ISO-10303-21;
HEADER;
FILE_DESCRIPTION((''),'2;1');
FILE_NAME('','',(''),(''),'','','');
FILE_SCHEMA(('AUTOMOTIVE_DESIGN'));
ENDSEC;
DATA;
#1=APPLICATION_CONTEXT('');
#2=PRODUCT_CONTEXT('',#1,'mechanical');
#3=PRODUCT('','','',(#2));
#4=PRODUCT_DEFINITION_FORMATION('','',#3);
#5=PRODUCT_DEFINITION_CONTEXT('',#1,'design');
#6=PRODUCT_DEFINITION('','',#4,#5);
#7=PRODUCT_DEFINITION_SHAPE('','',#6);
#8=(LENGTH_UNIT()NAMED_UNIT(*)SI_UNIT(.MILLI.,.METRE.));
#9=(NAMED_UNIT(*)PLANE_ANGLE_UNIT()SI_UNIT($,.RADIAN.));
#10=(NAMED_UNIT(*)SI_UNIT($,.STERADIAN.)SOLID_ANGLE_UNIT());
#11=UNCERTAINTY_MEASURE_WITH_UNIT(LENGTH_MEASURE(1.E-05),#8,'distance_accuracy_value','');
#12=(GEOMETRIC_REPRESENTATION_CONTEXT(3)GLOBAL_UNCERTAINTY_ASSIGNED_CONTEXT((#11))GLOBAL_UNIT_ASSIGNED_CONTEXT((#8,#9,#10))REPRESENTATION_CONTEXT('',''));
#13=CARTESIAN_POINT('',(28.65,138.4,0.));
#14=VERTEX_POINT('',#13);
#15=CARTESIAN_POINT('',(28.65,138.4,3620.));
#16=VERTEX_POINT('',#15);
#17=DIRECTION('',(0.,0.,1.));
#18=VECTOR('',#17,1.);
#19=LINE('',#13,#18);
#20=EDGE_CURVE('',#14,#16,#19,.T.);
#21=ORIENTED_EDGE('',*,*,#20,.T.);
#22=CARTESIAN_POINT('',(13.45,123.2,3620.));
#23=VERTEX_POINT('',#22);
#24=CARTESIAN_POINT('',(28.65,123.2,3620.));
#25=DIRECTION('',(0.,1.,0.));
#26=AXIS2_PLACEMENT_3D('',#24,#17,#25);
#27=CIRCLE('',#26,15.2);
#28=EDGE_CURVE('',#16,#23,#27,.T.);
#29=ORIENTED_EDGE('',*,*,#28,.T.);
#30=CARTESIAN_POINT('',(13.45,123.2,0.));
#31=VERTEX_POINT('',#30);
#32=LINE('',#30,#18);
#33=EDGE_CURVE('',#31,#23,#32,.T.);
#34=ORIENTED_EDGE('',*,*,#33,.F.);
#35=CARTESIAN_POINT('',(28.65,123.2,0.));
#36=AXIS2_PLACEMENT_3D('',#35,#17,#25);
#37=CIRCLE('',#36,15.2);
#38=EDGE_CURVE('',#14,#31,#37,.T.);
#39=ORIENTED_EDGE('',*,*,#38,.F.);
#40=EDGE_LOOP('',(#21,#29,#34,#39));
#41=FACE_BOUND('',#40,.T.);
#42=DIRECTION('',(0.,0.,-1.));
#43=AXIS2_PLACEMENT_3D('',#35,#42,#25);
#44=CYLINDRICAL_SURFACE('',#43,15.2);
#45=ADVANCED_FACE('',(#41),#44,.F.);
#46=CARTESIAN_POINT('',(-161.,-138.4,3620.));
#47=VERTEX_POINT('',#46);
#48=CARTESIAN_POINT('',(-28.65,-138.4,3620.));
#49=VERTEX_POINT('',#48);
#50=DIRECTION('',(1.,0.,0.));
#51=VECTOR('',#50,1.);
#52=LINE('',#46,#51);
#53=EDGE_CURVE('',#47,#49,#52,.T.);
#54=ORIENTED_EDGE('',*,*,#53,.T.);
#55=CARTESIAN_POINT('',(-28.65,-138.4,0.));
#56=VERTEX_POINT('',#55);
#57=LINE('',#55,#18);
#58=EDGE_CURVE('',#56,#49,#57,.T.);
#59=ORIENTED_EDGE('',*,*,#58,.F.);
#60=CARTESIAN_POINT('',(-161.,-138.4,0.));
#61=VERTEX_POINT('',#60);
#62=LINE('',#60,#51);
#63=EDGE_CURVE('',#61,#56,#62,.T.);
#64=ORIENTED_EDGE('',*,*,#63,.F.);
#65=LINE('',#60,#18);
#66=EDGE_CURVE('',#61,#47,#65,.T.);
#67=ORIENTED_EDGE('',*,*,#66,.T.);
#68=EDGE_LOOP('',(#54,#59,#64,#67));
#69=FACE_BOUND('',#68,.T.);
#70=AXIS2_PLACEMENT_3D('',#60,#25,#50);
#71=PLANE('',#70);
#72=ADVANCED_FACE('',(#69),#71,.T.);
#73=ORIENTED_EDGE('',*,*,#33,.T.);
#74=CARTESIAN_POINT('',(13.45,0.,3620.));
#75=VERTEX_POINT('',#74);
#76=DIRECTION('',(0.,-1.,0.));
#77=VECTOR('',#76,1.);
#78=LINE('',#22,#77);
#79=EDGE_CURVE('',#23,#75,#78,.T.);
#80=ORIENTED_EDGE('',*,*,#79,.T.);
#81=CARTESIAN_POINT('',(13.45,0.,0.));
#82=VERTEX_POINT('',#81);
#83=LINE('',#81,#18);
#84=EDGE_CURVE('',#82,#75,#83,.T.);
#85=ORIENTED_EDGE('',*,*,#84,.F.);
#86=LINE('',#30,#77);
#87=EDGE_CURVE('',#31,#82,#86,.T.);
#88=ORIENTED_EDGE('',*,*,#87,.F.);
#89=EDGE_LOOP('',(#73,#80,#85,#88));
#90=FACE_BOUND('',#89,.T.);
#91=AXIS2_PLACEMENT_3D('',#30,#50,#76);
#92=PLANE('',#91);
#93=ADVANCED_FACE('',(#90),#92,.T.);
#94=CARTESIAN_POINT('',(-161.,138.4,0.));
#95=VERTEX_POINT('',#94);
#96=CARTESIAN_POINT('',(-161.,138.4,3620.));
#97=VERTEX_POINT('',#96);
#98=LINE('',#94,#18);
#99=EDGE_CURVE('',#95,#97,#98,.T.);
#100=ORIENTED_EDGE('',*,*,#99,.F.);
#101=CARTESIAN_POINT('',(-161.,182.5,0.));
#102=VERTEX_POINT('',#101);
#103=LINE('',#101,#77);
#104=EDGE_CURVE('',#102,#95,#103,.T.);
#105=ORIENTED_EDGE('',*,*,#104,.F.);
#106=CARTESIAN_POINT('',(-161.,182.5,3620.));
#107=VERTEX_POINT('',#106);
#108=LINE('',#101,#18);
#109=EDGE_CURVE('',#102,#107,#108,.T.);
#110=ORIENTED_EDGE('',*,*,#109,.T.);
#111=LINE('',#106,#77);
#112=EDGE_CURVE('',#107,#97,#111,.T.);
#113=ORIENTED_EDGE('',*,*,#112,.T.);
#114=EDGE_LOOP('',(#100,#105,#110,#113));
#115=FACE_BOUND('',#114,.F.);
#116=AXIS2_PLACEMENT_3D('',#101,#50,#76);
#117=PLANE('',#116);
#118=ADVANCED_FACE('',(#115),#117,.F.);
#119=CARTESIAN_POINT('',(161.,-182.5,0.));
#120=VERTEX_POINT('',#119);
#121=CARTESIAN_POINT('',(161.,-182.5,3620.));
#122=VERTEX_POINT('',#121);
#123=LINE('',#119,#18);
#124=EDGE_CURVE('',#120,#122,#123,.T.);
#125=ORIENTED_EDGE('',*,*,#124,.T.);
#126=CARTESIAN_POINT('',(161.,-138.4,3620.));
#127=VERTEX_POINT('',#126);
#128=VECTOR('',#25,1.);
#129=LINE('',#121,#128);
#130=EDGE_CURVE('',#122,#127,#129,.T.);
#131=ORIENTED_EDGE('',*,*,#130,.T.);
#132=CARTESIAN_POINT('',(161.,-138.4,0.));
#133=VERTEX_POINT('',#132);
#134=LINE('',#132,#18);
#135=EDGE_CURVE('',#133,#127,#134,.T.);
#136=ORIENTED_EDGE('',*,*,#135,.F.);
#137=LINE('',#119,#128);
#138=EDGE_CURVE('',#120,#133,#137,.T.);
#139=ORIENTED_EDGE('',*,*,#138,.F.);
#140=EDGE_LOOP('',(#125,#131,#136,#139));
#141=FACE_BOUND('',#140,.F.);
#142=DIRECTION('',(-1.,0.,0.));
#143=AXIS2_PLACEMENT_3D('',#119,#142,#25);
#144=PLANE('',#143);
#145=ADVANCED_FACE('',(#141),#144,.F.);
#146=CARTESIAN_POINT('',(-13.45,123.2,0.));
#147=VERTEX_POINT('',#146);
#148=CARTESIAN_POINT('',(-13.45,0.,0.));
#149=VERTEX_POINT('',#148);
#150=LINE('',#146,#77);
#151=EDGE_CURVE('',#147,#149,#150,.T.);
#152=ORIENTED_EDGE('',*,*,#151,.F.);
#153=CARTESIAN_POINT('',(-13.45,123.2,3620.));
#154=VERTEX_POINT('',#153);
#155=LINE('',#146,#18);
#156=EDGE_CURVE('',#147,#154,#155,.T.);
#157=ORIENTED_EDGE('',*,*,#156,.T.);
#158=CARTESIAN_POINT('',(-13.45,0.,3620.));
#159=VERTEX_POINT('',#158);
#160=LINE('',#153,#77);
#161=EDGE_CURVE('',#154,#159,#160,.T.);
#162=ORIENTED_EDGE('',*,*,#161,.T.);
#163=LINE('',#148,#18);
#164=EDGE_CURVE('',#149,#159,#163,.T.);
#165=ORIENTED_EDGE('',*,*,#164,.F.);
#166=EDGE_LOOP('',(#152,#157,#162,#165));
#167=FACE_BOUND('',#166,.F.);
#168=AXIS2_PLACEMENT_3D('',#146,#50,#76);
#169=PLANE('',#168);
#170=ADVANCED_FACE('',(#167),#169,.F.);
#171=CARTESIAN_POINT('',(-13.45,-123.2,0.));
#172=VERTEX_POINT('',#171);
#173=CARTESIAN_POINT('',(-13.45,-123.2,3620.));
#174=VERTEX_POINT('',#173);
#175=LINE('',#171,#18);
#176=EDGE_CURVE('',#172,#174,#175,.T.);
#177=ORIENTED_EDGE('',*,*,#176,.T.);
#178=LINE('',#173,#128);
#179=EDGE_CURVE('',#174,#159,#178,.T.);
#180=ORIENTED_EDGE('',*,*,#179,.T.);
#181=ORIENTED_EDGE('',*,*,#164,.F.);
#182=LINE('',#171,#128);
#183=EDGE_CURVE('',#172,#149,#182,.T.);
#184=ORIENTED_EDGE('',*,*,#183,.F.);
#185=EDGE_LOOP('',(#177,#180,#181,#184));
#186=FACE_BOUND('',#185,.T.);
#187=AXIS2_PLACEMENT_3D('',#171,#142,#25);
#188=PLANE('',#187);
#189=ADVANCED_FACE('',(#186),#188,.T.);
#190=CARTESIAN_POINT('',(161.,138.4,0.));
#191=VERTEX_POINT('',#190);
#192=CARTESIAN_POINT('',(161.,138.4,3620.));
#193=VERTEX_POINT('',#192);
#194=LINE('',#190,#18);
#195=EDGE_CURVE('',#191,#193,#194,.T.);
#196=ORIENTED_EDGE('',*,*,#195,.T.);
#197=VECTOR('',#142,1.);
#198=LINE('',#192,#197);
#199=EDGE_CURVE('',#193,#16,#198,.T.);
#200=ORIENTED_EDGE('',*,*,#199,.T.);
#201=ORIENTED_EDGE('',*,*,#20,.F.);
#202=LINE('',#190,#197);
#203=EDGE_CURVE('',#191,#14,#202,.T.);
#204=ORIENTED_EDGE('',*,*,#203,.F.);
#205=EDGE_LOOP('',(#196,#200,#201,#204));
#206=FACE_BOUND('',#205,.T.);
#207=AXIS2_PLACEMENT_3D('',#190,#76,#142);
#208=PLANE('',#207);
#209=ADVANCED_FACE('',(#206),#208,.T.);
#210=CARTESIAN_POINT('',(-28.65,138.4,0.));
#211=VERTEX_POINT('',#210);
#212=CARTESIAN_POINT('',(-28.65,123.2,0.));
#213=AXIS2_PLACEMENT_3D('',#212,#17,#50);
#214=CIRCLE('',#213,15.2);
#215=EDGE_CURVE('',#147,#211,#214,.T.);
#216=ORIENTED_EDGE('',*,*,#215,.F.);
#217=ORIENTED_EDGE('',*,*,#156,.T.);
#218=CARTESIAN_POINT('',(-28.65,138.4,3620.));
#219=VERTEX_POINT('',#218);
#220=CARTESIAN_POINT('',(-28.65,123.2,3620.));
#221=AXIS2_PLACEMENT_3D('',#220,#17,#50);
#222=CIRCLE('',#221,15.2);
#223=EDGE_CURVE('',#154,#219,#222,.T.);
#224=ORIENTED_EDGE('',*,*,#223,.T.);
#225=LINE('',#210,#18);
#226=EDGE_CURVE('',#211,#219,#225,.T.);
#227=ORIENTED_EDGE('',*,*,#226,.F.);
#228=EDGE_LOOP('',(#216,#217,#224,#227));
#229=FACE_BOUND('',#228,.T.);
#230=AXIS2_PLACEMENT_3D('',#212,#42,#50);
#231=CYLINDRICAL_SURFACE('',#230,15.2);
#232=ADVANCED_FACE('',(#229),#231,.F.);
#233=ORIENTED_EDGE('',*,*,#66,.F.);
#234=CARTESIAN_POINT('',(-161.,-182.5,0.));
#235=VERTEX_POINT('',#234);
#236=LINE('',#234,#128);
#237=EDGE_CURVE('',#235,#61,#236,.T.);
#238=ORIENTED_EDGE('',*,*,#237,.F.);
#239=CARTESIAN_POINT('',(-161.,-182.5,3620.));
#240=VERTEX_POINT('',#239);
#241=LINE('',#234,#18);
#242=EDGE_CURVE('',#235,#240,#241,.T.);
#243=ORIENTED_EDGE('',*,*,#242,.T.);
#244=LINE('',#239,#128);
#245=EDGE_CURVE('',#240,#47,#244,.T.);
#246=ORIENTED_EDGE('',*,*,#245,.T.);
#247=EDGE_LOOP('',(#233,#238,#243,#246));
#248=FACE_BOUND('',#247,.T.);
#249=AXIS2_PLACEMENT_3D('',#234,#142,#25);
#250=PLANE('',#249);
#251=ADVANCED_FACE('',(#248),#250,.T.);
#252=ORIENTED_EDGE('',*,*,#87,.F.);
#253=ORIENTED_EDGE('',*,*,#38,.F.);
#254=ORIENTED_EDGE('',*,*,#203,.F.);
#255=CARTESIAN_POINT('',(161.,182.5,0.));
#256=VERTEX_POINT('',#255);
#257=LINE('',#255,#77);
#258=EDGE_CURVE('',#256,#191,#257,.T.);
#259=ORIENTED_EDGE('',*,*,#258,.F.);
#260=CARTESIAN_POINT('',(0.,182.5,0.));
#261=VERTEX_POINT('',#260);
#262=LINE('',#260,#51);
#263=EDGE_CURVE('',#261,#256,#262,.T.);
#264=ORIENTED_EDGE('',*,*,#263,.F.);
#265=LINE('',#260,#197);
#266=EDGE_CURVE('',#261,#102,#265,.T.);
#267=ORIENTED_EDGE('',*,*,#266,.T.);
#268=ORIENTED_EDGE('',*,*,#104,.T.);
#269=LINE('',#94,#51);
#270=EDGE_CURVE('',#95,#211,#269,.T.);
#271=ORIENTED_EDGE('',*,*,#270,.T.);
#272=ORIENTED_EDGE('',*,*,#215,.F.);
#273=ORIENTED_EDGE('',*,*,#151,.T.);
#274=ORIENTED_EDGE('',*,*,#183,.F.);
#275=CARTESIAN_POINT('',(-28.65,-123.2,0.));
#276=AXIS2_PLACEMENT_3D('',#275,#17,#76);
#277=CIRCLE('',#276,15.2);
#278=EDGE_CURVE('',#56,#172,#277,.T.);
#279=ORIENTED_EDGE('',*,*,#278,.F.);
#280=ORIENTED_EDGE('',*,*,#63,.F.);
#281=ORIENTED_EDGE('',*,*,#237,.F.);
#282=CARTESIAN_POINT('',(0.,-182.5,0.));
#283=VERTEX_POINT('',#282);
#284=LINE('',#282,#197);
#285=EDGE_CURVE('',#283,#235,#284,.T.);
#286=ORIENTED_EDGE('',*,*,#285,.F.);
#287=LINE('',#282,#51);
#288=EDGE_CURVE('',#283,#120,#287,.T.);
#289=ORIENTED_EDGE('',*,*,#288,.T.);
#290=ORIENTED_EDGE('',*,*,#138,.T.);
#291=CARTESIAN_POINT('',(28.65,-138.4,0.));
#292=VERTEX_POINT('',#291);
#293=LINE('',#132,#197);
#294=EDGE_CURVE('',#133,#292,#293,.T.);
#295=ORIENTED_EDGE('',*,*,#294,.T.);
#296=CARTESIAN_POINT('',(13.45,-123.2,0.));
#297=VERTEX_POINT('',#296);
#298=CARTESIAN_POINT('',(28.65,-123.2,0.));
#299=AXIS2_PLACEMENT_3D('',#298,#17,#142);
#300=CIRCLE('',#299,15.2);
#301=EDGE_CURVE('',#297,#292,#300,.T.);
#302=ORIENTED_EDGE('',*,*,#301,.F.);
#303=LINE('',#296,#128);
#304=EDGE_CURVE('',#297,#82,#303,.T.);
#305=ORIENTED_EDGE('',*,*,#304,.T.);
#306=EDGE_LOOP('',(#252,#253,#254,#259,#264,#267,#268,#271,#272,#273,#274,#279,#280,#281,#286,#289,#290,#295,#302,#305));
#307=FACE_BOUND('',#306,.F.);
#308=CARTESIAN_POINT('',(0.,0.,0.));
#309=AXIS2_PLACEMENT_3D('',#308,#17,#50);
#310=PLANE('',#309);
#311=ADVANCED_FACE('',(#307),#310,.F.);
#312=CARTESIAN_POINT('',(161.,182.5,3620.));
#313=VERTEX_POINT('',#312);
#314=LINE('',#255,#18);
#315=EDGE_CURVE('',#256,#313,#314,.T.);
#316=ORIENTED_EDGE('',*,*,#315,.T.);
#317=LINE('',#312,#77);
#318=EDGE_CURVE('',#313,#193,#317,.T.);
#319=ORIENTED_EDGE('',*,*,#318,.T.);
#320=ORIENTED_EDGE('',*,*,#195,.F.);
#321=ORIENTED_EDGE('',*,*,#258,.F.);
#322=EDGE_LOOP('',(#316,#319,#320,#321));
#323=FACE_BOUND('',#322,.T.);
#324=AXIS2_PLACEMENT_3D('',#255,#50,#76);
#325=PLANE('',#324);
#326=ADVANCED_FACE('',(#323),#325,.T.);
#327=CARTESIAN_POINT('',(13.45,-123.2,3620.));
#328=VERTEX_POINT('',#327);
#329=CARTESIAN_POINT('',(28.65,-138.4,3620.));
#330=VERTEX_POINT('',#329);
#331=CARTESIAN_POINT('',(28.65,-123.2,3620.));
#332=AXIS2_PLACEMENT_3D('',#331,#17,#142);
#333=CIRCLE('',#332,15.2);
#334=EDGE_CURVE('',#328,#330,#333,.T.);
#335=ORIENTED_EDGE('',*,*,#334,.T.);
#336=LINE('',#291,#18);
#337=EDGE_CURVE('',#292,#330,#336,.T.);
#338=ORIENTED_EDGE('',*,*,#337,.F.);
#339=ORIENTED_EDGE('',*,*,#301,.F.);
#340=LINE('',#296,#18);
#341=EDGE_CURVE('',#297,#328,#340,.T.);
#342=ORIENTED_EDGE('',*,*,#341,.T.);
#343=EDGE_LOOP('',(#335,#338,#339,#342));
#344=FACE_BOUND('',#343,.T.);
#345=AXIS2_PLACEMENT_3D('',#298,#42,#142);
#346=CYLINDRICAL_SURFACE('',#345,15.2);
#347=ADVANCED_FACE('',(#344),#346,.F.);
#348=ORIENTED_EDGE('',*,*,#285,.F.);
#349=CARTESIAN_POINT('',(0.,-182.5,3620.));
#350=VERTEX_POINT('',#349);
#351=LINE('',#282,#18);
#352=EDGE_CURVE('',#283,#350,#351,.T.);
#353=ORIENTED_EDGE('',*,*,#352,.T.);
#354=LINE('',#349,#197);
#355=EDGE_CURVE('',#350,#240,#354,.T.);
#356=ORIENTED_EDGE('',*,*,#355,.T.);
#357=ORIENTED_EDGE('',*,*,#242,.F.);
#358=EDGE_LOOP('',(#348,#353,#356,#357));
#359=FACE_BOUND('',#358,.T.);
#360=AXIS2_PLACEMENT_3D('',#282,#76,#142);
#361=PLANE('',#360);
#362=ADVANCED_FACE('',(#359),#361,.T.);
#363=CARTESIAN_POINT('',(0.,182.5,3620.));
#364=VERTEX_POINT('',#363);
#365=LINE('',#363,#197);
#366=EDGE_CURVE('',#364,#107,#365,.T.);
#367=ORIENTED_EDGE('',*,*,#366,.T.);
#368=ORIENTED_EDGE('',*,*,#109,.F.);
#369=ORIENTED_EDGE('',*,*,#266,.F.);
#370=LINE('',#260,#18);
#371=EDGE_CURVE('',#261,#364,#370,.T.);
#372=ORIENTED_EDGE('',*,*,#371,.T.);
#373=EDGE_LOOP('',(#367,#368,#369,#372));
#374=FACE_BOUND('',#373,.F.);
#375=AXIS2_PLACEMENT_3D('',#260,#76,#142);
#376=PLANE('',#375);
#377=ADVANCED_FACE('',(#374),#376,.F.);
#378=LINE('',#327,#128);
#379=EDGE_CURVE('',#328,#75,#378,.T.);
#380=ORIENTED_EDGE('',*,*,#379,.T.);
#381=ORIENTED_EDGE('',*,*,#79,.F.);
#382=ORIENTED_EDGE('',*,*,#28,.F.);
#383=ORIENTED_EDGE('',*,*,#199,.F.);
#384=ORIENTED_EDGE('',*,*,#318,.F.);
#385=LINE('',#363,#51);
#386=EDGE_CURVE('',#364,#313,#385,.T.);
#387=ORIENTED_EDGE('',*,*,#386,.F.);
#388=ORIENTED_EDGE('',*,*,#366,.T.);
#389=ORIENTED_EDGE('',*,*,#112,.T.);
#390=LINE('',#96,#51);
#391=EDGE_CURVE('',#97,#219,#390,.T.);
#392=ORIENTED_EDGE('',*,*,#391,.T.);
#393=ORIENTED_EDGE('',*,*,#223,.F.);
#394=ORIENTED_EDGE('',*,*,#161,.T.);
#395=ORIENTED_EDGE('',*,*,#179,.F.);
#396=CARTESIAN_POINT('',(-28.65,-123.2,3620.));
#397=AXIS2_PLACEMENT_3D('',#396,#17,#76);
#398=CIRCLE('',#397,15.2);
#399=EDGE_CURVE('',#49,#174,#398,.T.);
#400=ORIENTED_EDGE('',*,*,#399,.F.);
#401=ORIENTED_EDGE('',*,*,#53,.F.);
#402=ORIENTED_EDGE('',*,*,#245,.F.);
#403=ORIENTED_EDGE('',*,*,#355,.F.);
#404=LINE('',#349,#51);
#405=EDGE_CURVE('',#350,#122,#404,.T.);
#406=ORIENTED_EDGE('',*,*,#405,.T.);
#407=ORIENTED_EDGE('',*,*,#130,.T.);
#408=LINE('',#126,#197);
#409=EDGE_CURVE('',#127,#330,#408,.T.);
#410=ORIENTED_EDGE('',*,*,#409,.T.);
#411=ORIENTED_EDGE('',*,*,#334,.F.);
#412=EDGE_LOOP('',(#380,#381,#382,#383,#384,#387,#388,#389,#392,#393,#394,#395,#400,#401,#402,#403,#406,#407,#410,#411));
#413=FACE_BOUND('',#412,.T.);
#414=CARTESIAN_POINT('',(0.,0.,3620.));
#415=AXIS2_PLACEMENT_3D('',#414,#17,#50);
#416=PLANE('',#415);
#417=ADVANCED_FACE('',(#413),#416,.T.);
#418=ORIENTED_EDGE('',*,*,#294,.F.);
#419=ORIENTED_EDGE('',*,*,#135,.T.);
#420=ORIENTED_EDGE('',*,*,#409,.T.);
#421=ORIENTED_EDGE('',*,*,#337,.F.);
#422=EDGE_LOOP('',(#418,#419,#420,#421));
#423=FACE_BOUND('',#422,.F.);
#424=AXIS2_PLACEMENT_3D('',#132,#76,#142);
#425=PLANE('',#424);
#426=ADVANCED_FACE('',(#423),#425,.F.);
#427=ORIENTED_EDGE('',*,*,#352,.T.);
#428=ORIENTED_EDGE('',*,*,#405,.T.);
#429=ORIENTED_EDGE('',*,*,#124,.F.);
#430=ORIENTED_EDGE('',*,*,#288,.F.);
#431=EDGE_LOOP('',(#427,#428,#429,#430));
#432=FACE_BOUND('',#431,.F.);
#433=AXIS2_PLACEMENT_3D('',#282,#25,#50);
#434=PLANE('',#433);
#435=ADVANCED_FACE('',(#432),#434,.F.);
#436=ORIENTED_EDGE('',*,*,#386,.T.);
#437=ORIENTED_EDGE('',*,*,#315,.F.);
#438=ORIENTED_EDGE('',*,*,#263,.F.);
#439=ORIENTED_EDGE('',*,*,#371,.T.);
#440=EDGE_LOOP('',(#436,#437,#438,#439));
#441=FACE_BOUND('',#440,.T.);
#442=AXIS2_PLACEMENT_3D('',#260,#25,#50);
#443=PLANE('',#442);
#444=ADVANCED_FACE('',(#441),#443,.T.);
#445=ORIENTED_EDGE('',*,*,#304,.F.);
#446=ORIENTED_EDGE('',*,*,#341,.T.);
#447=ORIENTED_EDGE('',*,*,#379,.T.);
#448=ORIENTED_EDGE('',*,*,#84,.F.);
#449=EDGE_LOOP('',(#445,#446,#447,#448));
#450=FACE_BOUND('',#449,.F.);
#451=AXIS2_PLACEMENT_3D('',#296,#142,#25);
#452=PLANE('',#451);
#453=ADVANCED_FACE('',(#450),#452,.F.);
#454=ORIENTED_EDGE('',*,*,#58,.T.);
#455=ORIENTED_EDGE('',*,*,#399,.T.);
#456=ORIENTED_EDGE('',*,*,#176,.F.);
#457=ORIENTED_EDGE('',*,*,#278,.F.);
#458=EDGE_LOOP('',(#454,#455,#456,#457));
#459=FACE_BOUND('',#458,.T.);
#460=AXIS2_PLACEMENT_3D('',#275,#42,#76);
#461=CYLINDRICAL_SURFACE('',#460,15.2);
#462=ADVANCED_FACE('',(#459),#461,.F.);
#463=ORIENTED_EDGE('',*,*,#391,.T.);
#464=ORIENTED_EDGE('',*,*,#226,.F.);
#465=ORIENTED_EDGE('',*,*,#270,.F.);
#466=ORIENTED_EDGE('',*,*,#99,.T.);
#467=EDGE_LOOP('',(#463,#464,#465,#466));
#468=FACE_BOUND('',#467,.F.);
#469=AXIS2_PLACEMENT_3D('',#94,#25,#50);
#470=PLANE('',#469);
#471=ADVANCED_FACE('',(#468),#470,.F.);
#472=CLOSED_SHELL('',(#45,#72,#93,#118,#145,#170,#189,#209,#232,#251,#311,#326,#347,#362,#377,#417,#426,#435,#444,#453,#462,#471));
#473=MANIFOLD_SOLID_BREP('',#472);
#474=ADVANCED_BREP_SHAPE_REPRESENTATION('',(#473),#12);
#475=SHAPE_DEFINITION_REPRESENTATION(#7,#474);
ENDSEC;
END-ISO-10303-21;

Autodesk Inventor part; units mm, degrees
ref_plane "YZ Plane" through (0, 0, 0) normal (1, 0, 0) x (0, 1, 0)
ref_plane "Start plane" through (0, 0, 0) normal (0, 0, 1) x (1, 0, 0)
ref_plane "End plane" through (0, 0, 3620) normal (0, 0, 1) x (1, 0, 0)
sketch "Sketch" plane through (0, 0, 0) normal (0, 0, 1) x (1, 0, 0)
  line L0 (-161, -182.5) -> (-161, -138.4)
  line L1 (-161, -138.4) -> (-28.65, -138.4)
  line L2 (-13.45, -123.2) -> (-13.45, 0)
  line L3 (-13.45, 0) -> (0, 0) construction
  line L4 (0, 0) -> (0, -182.5) construction
  line L5 (0, -182.5) -> (-161, -182.5)
  line L6 (-60, 0) -> (80, 0) construction
  line L7 (0, -60) -> (0, 80) construction
  line L8 (161, -182.5) -> (161, -138.4)
  line L9 (161, -138.4) -> (28.65, -138.4)
  line L10 (13.45, -123.2) -> (13.45, 0)
  line L11 (13.45, 0) -> (0, 0) construction
  line L12 (0, -182.5) -> (161, -182.5)
  line L13 (-161, 182.5) -> (-161, 138.4)
  line L14 (-161, 138.4) -> (-28.65, 138.4)
  line L15 (-13.45, 123.2) -> (-13.45, 0)
  line L16 (0, 182.5) -> (-161, 182.5)
  line L17 (161, 182.5) -> (161, 138.4)
  line L18 (161, 138.4) -> (28.65, 138.4)
  line L19 (0, 182.5) -> (161, 182.5)
  line L20 (13.45, 123.2) -> (13.45, 0)
  arc A0 (-13.45, 123.2) -> (-28.65, 138.4) centre (-28.65, 123.2) ccw
  arc A1 (28.65, 138.4) -> (13.45, 123.2) centre (28.65, 123.2) ccw
  arc A2 (13.45, -123.2) -> (28.65, -138.4) centre (28.65, -123.2) ccw
  arc A3 (-28.65, -138.4) -> (-13.45, -123.2) centre (-28.65, -123.2) ccw
  line L21 (0, 108) -> (0, -88) construction
  line L22 (-88, 0) -> (108, 0) construction
  point P0 (-13.45, -138.4)
  point P1 (13.45, -138.4)
  point P2 (-13.45, 138.4)
  point P3 (13.45, 138.4)
  dimension "d1" = 182.5
  dimension "d2" = 44.1
  dimension "d3" = 161
  dimension "d4" = 13.45
  dimension "d10" = 15.2
extrude "Body" add sketch "Sketch" along normal up to surface (3620 mm away) from surface at 0
sketch "Sketch4" plane through (0, 0, 0) normal (0, 0, 1) x (1, 0, 0)
  line L0 (0, 0) -> (10, 0)
ref_plane "Work Plane3" through (0, 0, 0) normal (0, -1, 0) x (1, 0, 0)
sketch "Sketch5" plane through (0, 0, 0) normal (0, -1, 0) x (1, 0, 0)
  line L0 (-2, 0) -> (12, 0) projected
  line L1 (-2, 3620) -> (12, 3620) projected
  dimension "d14" = 3620
equation "\"d1\" = 0.5 * G_H"
equation "\"d2\" = G_T1"
equation "\"d3\" = 0.5 * G_W"
equation "\"d4\" = 0.5 * G_T"
equation "\"d10\" = G_IR"
equation "\"d5\" = G_L"
equation "\"G_W\" = 322"
equation "\"G_H\" = 365"
equation "\"G_T\" = 26.9"
equation "\"G_T1\" = 44.1"
equation "\"G_IR\" = 15.2"
equation "\"G_L\" = d14"
equation "\"G_OFFSET_START\" = 0"
equation "\"G_OFFSET_END\" = 0"
properties part number "AS 3679 - 310 UC - 283 - 3620" material "Steel, Mild"
